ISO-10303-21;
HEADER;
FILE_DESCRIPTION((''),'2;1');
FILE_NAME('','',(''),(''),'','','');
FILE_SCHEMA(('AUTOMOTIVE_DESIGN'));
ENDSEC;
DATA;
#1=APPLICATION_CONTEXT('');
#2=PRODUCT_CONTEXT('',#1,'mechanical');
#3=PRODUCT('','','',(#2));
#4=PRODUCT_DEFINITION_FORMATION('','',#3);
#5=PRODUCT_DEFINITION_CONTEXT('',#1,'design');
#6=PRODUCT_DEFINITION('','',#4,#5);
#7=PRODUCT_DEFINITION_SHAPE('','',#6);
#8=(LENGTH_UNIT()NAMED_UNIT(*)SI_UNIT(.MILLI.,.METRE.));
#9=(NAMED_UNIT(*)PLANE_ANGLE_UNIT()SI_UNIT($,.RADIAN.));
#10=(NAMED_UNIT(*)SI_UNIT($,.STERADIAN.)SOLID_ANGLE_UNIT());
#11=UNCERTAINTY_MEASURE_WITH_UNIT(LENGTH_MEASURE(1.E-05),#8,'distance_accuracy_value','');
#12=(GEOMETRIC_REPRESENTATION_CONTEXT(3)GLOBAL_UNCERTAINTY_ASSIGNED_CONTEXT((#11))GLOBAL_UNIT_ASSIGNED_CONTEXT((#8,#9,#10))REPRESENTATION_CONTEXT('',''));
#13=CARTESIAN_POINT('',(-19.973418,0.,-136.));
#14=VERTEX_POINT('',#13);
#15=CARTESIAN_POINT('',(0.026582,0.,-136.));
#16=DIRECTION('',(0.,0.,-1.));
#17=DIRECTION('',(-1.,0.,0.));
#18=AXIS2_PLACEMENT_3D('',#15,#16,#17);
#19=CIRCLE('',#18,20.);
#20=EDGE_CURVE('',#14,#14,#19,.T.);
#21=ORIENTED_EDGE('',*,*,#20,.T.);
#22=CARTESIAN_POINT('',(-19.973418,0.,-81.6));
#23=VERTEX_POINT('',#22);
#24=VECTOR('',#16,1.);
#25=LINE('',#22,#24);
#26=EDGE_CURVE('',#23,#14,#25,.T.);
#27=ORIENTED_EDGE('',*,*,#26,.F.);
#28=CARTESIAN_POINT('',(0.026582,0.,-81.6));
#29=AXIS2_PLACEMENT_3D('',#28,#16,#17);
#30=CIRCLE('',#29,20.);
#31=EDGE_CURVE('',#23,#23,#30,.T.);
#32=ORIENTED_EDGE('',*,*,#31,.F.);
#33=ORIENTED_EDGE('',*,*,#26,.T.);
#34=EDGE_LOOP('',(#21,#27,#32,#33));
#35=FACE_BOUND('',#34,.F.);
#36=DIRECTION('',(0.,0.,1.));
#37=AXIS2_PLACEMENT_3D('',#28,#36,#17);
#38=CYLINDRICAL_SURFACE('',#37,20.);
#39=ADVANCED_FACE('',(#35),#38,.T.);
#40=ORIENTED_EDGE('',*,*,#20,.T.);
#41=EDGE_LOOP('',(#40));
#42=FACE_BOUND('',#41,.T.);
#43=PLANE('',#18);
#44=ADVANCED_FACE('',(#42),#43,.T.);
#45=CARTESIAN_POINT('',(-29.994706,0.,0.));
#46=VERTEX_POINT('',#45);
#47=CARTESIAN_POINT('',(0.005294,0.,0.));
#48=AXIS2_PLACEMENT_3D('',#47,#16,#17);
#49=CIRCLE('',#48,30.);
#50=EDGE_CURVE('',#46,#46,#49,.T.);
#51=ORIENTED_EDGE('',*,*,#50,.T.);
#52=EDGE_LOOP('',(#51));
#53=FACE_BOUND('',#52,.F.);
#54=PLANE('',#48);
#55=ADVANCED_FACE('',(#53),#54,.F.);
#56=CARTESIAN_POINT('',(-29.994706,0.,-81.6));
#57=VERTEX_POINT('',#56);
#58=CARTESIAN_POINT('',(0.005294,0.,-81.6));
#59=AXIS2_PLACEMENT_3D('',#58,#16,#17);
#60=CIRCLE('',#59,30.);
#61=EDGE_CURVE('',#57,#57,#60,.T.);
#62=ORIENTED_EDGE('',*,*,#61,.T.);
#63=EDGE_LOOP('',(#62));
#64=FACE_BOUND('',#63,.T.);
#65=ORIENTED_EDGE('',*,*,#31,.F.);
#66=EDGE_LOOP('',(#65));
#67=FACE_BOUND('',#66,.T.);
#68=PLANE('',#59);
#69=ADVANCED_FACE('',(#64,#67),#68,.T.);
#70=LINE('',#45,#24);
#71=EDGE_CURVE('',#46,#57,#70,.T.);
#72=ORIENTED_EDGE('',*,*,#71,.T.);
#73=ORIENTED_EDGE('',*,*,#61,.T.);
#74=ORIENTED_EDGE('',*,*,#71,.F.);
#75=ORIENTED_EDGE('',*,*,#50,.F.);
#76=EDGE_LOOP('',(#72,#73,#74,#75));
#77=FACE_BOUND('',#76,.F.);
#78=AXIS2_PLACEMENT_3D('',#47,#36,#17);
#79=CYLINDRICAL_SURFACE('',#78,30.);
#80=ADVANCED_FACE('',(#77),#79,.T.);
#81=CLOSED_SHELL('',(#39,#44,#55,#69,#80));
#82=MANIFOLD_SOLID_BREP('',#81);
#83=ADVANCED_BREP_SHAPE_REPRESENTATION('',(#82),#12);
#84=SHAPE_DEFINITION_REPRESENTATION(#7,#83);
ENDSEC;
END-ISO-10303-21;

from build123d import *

# Parameters (mm, degrees)
SKETCH003_R  = 30
PAD002_DEPTH = 81.6
SKETCH004_R  = 20
PAD003_DEPTH = 54.4


with BuildPart() as part:
    # Sketch003 (on DatumPlane) → Pad002 (new body)
    with BuildSketch(Plane(origin=(0, 0, 0), x_dir=(-1, 0, 0), z_dir=(0, 0, -1))):
        with Locations((-0.005294, 0)):
            Circle(SKETCH003_R)
    extrude(amount=PAD002_DEPTH)

    # Sketch004 (on DatumPlane) → Pad003 (join)
    with BuildSketch(Plane(origin=(0, 0, -81.6), x_dir=(-1, 0, 0), z_dir=(0, 0, -1))):
        with Locations((-0.026582, 0)):
            Circle(SKETCH004_R)
    extrude(amount=PAD003_DEPTH)


solid = part.part
